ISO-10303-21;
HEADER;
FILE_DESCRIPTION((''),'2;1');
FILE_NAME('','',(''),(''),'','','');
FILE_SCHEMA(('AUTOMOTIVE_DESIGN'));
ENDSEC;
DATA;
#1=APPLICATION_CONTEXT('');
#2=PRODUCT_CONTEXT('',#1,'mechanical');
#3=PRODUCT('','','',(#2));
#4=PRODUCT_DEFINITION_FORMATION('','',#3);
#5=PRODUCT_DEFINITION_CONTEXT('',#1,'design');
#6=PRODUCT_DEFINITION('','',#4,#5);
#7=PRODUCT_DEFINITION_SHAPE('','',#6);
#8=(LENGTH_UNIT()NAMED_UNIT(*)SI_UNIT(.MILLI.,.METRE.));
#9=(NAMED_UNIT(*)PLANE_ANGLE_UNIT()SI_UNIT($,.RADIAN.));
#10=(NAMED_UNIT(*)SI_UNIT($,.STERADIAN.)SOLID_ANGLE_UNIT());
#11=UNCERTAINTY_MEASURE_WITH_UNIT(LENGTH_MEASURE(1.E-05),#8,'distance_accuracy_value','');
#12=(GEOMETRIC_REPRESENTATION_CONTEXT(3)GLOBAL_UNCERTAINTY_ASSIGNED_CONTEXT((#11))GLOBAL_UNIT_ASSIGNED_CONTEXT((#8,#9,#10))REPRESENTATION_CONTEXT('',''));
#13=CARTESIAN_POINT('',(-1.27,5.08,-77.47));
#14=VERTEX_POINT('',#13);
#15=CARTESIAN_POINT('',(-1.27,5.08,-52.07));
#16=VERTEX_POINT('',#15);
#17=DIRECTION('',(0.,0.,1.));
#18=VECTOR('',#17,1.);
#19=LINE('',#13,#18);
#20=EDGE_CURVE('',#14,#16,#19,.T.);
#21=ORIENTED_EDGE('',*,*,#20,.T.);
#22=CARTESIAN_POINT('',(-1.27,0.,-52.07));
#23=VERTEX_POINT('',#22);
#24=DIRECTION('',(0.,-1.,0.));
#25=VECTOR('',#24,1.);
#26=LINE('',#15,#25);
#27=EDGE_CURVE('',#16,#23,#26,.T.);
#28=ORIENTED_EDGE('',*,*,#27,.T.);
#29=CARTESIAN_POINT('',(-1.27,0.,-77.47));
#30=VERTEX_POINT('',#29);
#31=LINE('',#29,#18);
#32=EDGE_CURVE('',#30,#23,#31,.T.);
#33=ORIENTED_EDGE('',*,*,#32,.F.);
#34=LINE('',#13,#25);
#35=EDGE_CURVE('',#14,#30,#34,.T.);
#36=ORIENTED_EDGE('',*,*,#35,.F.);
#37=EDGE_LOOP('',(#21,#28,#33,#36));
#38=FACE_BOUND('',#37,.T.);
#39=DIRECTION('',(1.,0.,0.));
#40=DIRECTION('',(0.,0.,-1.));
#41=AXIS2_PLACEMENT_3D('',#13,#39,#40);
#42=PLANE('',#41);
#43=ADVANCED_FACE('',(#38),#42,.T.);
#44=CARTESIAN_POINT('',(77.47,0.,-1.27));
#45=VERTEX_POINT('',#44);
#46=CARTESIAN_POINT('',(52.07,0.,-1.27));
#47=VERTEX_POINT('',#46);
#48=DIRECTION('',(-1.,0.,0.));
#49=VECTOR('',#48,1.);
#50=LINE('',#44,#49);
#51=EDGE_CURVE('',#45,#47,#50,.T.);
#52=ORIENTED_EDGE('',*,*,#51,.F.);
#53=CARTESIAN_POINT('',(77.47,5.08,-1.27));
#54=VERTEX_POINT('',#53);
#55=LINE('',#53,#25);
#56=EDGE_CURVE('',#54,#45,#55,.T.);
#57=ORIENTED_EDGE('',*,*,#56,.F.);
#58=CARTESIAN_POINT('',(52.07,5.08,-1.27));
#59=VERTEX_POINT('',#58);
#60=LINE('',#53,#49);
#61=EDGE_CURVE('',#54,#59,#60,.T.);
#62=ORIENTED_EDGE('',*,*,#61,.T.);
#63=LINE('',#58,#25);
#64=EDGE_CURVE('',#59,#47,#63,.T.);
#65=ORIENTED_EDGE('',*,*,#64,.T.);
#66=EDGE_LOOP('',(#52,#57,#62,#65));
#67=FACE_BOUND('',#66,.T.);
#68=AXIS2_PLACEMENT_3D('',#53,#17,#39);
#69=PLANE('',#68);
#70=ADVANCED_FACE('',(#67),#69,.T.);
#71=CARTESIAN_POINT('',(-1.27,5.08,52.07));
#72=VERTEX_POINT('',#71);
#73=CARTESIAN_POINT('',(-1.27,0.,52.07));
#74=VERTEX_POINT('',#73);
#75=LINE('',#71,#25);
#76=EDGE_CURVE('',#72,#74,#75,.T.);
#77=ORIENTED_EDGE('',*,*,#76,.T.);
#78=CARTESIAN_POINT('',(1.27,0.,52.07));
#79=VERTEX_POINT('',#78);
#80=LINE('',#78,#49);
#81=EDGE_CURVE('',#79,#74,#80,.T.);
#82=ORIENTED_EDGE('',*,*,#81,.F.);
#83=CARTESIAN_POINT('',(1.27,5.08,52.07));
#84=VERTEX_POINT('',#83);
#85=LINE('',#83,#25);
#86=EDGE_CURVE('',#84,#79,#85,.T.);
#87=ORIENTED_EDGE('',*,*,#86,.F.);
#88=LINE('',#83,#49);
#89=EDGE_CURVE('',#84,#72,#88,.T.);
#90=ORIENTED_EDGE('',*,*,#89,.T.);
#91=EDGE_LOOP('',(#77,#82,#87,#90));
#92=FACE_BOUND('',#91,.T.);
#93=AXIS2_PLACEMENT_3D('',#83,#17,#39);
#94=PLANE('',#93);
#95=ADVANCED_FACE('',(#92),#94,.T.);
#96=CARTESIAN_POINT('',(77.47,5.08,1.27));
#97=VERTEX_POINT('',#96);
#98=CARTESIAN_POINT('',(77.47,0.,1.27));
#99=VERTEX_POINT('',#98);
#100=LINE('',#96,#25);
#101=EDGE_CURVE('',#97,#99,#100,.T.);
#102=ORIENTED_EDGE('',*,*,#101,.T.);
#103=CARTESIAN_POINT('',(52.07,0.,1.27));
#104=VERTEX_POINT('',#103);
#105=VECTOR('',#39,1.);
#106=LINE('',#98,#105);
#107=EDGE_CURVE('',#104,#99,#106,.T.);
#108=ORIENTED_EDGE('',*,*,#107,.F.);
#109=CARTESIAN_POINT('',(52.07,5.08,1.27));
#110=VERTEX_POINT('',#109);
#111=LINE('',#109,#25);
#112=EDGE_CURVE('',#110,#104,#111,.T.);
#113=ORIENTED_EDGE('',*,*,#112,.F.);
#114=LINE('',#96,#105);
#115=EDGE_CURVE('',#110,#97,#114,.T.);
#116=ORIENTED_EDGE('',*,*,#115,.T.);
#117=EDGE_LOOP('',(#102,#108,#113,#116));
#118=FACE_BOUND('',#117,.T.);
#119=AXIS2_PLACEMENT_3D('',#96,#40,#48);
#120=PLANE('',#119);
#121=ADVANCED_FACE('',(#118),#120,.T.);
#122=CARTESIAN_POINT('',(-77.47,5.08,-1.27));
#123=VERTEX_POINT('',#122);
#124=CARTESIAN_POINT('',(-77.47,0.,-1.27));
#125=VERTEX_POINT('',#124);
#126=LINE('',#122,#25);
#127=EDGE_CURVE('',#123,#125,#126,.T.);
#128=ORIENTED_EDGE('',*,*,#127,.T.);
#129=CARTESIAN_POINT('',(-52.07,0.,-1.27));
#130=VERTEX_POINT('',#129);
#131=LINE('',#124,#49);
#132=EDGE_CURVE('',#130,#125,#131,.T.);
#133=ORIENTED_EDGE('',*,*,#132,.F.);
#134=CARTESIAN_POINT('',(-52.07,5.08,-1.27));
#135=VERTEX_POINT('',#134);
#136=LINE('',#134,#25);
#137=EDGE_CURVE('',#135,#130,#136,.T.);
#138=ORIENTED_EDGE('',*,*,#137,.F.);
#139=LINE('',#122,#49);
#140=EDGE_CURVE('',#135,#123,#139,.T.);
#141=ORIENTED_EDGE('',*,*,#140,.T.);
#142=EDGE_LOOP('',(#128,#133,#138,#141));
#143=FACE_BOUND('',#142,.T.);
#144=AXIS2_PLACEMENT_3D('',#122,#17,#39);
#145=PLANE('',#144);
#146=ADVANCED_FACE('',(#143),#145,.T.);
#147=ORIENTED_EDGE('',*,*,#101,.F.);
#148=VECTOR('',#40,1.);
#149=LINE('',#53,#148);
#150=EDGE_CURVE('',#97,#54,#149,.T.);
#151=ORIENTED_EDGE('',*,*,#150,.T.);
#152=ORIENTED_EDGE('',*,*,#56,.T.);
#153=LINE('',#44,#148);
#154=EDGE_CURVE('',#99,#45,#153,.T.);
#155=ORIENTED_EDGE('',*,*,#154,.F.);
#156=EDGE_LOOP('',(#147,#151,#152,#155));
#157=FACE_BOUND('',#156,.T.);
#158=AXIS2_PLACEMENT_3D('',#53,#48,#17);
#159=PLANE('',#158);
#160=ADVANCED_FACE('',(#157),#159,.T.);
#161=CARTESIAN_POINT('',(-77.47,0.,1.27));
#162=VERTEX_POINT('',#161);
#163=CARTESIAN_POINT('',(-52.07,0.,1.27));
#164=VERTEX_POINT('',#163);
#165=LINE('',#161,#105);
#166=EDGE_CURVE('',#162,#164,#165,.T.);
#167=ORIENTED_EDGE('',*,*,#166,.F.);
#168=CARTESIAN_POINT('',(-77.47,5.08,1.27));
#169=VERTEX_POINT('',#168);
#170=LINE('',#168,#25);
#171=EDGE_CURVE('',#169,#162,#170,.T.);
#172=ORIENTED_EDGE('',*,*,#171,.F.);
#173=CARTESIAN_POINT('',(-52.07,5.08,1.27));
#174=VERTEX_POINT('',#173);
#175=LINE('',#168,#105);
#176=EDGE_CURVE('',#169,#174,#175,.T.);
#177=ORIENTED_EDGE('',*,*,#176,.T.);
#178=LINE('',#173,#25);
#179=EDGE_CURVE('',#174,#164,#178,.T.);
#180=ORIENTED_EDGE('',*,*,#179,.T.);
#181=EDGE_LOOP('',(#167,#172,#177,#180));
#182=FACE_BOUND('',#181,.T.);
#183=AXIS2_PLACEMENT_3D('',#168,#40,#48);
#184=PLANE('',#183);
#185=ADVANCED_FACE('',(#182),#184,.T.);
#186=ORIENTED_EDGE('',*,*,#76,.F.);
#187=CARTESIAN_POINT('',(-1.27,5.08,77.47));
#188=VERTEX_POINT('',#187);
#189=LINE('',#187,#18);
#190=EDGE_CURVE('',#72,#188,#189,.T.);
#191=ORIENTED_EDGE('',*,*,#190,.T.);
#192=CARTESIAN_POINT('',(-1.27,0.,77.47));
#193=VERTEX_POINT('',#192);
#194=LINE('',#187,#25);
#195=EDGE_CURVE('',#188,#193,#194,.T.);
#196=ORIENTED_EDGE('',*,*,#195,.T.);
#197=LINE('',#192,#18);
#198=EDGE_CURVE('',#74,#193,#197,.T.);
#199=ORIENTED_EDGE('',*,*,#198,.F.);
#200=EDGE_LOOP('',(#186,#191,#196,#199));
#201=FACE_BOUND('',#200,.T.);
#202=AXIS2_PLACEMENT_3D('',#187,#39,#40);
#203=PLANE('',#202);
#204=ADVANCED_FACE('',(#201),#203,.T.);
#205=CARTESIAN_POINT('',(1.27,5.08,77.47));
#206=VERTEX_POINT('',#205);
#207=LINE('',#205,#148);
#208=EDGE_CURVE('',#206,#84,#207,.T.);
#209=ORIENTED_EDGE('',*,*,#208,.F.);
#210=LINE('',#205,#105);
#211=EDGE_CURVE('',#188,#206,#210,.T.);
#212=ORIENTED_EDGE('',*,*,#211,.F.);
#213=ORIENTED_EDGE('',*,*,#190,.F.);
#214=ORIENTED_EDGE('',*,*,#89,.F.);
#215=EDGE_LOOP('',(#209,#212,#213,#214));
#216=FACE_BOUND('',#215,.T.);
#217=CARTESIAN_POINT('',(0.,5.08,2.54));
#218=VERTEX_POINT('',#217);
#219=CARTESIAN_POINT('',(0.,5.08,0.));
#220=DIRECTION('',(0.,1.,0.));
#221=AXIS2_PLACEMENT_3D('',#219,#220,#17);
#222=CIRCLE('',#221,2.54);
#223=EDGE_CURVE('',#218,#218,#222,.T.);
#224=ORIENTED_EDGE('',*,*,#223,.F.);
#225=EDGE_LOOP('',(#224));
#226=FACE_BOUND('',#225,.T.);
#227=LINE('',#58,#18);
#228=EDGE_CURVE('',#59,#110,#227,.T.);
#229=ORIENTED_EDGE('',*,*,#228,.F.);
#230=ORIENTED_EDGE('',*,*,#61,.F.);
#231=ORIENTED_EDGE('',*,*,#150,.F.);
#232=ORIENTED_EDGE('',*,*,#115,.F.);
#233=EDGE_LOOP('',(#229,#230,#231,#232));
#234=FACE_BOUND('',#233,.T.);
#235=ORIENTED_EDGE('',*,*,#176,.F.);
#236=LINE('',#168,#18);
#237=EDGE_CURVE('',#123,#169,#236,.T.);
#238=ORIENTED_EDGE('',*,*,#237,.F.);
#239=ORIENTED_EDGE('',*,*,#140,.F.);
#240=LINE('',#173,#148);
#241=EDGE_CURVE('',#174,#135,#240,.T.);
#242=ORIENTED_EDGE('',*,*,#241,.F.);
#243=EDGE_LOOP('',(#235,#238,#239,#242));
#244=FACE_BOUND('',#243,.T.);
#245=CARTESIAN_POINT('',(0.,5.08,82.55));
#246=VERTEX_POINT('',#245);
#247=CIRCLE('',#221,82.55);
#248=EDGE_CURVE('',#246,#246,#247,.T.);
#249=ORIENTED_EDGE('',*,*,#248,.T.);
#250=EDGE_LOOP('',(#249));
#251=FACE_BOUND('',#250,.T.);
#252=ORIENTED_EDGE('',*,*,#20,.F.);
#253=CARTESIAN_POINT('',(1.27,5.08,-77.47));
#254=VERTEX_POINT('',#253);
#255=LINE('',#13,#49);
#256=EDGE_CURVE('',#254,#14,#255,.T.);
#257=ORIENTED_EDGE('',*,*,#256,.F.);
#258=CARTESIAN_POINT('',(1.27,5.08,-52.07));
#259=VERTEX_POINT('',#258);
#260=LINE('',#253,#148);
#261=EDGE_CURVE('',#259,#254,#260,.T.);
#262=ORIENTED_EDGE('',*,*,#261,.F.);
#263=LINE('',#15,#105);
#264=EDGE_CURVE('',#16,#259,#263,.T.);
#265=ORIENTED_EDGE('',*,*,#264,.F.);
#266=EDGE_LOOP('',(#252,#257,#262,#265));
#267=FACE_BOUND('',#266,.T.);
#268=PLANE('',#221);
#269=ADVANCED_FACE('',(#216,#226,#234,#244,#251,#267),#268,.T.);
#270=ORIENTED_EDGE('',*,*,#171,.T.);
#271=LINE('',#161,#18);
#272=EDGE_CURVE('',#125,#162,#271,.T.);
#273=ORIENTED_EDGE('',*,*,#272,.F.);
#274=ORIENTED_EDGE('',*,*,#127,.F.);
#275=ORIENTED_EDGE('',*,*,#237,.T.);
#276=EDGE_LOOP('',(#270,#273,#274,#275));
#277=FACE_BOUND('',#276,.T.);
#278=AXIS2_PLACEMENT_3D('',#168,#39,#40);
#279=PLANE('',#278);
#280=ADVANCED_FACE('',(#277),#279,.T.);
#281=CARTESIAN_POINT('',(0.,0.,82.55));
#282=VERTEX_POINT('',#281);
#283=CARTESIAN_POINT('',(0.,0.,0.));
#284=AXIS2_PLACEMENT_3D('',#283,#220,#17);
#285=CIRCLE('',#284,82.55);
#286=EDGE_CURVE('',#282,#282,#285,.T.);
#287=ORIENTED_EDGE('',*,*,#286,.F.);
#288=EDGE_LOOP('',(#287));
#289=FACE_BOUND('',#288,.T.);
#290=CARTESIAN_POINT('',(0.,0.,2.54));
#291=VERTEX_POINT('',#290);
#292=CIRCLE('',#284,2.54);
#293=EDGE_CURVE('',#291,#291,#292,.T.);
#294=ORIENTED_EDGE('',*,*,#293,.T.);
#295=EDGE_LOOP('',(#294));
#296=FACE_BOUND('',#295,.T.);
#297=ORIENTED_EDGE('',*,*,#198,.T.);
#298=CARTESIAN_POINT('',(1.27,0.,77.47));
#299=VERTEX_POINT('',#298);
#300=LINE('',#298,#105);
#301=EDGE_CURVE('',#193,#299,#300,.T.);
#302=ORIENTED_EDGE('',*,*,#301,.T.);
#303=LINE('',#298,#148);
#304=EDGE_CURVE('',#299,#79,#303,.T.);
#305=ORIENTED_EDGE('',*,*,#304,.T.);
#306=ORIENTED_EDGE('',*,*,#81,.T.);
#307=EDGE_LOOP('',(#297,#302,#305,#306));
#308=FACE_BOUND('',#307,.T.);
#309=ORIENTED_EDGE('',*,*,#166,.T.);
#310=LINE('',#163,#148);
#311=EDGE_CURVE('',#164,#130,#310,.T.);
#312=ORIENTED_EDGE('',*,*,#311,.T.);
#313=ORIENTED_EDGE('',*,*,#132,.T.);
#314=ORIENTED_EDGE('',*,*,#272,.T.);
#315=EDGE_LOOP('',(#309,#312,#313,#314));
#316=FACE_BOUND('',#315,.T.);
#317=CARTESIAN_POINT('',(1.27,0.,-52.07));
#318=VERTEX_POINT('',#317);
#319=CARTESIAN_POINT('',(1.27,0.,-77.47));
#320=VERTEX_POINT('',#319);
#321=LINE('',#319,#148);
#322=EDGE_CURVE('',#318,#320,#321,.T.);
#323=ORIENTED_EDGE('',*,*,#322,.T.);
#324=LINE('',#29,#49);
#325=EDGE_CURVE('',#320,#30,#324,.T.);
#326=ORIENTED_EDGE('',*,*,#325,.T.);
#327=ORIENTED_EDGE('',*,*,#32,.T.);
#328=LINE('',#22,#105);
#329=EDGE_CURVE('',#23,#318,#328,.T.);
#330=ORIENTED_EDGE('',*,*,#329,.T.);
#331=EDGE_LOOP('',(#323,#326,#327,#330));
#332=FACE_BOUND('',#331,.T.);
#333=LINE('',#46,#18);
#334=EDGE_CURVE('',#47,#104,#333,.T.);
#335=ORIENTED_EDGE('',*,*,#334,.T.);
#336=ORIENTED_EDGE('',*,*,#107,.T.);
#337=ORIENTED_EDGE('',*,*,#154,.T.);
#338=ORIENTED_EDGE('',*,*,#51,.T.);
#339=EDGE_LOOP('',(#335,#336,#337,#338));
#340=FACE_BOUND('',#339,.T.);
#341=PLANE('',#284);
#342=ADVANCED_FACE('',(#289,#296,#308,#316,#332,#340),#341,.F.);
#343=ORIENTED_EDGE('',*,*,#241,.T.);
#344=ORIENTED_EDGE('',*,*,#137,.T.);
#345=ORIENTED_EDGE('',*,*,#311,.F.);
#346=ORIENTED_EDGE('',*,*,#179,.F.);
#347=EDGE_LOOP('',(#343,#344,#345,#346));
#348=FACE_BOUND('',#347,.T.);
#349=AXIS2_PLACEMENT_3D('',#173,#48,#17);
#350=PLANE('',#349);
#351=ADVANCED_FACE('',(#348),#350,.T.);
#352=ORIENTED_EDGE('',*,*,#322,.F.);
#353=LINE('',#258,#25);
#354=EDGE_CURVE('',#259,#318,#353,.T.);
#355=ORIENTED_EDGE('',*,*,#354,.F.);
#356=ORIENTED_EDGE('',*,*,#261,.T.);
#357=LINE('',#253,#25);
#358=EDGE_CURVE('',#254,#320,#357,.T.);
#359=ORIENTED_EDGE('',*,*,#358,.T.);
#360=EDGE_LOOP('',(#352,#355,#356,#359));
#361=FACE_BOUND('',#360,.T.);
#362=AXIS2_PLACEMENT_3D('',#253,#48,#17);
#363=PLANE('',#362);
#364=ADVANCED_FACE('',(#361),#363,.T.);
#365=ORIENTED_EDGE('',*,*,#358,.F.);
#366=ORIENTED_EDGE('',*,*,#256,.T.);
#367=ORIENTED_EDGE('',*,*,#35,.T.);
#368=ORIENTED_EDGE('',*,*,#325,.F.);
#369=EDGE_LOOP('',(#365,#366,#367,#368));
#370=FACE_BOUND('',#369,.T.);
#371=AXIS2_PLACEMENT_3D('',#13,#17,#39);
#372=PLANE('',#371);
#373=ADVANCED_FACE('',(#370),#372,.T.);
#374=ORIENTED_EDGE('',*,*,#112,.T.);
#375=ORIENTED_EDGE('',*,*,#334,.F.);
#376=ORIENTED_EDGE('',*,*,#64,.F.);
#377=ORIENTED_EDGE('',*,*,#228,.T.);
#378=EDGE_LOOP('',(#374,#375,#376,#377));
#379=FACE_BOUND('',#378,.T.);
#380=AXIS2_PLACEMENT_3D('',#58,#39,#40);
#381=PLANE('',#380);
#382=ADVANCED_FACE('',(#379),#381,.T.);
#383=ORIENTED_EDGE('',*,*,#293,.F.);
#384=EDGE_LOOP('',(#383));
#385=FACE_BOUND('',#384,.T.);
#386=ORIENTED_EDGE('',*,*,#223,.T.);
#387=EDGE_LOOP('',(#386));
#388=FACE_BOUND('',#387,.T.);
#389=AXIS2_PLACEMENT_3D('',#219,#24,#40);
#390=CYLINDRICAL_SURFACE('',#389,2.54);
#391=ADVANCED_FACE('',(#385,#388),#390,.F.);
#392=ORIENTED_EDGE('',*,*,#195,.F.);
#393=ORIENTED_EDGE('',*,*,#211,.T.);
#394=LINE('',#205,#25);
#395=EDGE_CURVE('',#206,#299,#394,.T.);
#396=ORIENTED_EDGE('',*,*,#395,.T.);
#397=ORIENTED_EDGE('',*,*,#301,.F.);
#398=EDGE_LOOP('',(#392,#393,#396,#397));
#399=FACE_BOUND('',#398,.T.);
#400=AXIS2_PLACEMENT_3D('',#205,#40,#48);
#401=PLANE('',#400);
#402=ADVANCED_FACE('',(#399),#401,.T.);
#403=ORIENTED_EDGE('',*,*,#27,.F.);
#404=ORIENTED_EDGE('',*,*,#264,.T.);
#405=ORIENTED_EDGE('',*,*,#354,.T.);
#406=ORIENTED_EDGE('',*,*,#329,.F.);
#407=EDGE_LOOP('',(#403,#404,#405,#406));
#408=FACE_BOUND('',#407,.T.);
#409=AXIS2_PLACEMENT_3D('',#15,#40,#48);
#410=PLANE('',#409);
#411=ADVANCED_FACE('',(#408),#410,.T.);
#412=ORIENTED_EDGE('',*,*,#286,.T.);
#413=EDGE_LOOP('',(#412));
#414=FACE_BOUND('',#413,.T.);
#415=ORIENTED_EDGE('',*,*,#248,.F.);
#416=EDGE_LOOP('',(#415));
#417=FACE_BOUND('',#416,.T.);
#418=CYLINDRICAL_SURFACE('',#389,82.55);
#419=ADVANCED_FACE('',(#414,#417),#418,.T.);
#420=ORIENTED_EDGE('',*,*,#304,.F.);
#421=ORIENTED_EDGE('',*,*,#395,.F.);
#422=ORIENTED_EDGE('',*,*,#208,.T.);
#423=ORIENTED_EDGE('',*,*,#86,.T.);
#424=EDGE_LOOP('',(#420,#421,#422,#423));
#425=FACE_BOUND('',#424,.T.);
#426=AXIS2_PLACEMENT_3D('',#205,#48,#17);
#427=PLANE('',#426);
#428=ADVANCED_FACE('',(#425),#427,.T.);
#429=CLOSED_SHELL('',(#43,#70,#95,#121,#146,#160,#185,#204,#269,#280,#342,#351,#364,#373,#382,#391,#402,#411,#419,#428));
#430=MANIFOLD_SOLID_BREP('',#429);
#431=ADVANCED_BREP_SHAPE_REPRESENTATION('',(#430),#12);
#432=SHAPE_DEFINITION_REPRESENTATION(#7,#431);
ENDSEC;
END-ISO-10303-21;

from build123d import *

# Parameters (mm, degrees)
SKETCH1_R           = 82.55
SKETCH1_R_2         = 2.54
SKETCH1_W           = 25.4
SKETCH1_H           = 2.54
SKETCH1_W_2         = 2.54
SKETCH1_H_2         = 25.4
BOSS_EXTRUDE1_DEPTH = 5.08


with BuildPart() as part:
    # Sketch1 → Boss-Extrude1 (new body)
    with BuildSketch(Plane(origin=(0, 0, 0), x_dir=(1, 0, 0), z_dir=(0, 1, 0))):
        with Locations(Location((0, 0, 0), (0, 0, 270))):
            Circle(SKETCH1_R)
        with Locations(Location((0, 0, 0), (0, 0, 270))):
            Circle(SKETCH1_R_2, mode=Mode.SUBTRACT)
        with Locations((64.77, 0)):
            Rectangle(SKETCH1_W, SKETCH1_H, mode=Mode.SUBTRACT)
        with Locations((0, 64.77)):
            Rectangle(SKETCH1_W_2, SKETCH1_H_2, mode=Mode.SUBTRACT)
        with Locations((0, -64.77)):
            Rectangle(SKETCH1_W_2, SKETCH1_H_2, mode=Mode.SUBTRACT)
        with Locations((-64.77, 0)):
            Rectangle(SKETCH1_W, SKETCH1_H, mode=Mode.SUBTRACT)
    extrude(amount=BOSS_EXTRUDE1_DEPTH)


solid = part.part
